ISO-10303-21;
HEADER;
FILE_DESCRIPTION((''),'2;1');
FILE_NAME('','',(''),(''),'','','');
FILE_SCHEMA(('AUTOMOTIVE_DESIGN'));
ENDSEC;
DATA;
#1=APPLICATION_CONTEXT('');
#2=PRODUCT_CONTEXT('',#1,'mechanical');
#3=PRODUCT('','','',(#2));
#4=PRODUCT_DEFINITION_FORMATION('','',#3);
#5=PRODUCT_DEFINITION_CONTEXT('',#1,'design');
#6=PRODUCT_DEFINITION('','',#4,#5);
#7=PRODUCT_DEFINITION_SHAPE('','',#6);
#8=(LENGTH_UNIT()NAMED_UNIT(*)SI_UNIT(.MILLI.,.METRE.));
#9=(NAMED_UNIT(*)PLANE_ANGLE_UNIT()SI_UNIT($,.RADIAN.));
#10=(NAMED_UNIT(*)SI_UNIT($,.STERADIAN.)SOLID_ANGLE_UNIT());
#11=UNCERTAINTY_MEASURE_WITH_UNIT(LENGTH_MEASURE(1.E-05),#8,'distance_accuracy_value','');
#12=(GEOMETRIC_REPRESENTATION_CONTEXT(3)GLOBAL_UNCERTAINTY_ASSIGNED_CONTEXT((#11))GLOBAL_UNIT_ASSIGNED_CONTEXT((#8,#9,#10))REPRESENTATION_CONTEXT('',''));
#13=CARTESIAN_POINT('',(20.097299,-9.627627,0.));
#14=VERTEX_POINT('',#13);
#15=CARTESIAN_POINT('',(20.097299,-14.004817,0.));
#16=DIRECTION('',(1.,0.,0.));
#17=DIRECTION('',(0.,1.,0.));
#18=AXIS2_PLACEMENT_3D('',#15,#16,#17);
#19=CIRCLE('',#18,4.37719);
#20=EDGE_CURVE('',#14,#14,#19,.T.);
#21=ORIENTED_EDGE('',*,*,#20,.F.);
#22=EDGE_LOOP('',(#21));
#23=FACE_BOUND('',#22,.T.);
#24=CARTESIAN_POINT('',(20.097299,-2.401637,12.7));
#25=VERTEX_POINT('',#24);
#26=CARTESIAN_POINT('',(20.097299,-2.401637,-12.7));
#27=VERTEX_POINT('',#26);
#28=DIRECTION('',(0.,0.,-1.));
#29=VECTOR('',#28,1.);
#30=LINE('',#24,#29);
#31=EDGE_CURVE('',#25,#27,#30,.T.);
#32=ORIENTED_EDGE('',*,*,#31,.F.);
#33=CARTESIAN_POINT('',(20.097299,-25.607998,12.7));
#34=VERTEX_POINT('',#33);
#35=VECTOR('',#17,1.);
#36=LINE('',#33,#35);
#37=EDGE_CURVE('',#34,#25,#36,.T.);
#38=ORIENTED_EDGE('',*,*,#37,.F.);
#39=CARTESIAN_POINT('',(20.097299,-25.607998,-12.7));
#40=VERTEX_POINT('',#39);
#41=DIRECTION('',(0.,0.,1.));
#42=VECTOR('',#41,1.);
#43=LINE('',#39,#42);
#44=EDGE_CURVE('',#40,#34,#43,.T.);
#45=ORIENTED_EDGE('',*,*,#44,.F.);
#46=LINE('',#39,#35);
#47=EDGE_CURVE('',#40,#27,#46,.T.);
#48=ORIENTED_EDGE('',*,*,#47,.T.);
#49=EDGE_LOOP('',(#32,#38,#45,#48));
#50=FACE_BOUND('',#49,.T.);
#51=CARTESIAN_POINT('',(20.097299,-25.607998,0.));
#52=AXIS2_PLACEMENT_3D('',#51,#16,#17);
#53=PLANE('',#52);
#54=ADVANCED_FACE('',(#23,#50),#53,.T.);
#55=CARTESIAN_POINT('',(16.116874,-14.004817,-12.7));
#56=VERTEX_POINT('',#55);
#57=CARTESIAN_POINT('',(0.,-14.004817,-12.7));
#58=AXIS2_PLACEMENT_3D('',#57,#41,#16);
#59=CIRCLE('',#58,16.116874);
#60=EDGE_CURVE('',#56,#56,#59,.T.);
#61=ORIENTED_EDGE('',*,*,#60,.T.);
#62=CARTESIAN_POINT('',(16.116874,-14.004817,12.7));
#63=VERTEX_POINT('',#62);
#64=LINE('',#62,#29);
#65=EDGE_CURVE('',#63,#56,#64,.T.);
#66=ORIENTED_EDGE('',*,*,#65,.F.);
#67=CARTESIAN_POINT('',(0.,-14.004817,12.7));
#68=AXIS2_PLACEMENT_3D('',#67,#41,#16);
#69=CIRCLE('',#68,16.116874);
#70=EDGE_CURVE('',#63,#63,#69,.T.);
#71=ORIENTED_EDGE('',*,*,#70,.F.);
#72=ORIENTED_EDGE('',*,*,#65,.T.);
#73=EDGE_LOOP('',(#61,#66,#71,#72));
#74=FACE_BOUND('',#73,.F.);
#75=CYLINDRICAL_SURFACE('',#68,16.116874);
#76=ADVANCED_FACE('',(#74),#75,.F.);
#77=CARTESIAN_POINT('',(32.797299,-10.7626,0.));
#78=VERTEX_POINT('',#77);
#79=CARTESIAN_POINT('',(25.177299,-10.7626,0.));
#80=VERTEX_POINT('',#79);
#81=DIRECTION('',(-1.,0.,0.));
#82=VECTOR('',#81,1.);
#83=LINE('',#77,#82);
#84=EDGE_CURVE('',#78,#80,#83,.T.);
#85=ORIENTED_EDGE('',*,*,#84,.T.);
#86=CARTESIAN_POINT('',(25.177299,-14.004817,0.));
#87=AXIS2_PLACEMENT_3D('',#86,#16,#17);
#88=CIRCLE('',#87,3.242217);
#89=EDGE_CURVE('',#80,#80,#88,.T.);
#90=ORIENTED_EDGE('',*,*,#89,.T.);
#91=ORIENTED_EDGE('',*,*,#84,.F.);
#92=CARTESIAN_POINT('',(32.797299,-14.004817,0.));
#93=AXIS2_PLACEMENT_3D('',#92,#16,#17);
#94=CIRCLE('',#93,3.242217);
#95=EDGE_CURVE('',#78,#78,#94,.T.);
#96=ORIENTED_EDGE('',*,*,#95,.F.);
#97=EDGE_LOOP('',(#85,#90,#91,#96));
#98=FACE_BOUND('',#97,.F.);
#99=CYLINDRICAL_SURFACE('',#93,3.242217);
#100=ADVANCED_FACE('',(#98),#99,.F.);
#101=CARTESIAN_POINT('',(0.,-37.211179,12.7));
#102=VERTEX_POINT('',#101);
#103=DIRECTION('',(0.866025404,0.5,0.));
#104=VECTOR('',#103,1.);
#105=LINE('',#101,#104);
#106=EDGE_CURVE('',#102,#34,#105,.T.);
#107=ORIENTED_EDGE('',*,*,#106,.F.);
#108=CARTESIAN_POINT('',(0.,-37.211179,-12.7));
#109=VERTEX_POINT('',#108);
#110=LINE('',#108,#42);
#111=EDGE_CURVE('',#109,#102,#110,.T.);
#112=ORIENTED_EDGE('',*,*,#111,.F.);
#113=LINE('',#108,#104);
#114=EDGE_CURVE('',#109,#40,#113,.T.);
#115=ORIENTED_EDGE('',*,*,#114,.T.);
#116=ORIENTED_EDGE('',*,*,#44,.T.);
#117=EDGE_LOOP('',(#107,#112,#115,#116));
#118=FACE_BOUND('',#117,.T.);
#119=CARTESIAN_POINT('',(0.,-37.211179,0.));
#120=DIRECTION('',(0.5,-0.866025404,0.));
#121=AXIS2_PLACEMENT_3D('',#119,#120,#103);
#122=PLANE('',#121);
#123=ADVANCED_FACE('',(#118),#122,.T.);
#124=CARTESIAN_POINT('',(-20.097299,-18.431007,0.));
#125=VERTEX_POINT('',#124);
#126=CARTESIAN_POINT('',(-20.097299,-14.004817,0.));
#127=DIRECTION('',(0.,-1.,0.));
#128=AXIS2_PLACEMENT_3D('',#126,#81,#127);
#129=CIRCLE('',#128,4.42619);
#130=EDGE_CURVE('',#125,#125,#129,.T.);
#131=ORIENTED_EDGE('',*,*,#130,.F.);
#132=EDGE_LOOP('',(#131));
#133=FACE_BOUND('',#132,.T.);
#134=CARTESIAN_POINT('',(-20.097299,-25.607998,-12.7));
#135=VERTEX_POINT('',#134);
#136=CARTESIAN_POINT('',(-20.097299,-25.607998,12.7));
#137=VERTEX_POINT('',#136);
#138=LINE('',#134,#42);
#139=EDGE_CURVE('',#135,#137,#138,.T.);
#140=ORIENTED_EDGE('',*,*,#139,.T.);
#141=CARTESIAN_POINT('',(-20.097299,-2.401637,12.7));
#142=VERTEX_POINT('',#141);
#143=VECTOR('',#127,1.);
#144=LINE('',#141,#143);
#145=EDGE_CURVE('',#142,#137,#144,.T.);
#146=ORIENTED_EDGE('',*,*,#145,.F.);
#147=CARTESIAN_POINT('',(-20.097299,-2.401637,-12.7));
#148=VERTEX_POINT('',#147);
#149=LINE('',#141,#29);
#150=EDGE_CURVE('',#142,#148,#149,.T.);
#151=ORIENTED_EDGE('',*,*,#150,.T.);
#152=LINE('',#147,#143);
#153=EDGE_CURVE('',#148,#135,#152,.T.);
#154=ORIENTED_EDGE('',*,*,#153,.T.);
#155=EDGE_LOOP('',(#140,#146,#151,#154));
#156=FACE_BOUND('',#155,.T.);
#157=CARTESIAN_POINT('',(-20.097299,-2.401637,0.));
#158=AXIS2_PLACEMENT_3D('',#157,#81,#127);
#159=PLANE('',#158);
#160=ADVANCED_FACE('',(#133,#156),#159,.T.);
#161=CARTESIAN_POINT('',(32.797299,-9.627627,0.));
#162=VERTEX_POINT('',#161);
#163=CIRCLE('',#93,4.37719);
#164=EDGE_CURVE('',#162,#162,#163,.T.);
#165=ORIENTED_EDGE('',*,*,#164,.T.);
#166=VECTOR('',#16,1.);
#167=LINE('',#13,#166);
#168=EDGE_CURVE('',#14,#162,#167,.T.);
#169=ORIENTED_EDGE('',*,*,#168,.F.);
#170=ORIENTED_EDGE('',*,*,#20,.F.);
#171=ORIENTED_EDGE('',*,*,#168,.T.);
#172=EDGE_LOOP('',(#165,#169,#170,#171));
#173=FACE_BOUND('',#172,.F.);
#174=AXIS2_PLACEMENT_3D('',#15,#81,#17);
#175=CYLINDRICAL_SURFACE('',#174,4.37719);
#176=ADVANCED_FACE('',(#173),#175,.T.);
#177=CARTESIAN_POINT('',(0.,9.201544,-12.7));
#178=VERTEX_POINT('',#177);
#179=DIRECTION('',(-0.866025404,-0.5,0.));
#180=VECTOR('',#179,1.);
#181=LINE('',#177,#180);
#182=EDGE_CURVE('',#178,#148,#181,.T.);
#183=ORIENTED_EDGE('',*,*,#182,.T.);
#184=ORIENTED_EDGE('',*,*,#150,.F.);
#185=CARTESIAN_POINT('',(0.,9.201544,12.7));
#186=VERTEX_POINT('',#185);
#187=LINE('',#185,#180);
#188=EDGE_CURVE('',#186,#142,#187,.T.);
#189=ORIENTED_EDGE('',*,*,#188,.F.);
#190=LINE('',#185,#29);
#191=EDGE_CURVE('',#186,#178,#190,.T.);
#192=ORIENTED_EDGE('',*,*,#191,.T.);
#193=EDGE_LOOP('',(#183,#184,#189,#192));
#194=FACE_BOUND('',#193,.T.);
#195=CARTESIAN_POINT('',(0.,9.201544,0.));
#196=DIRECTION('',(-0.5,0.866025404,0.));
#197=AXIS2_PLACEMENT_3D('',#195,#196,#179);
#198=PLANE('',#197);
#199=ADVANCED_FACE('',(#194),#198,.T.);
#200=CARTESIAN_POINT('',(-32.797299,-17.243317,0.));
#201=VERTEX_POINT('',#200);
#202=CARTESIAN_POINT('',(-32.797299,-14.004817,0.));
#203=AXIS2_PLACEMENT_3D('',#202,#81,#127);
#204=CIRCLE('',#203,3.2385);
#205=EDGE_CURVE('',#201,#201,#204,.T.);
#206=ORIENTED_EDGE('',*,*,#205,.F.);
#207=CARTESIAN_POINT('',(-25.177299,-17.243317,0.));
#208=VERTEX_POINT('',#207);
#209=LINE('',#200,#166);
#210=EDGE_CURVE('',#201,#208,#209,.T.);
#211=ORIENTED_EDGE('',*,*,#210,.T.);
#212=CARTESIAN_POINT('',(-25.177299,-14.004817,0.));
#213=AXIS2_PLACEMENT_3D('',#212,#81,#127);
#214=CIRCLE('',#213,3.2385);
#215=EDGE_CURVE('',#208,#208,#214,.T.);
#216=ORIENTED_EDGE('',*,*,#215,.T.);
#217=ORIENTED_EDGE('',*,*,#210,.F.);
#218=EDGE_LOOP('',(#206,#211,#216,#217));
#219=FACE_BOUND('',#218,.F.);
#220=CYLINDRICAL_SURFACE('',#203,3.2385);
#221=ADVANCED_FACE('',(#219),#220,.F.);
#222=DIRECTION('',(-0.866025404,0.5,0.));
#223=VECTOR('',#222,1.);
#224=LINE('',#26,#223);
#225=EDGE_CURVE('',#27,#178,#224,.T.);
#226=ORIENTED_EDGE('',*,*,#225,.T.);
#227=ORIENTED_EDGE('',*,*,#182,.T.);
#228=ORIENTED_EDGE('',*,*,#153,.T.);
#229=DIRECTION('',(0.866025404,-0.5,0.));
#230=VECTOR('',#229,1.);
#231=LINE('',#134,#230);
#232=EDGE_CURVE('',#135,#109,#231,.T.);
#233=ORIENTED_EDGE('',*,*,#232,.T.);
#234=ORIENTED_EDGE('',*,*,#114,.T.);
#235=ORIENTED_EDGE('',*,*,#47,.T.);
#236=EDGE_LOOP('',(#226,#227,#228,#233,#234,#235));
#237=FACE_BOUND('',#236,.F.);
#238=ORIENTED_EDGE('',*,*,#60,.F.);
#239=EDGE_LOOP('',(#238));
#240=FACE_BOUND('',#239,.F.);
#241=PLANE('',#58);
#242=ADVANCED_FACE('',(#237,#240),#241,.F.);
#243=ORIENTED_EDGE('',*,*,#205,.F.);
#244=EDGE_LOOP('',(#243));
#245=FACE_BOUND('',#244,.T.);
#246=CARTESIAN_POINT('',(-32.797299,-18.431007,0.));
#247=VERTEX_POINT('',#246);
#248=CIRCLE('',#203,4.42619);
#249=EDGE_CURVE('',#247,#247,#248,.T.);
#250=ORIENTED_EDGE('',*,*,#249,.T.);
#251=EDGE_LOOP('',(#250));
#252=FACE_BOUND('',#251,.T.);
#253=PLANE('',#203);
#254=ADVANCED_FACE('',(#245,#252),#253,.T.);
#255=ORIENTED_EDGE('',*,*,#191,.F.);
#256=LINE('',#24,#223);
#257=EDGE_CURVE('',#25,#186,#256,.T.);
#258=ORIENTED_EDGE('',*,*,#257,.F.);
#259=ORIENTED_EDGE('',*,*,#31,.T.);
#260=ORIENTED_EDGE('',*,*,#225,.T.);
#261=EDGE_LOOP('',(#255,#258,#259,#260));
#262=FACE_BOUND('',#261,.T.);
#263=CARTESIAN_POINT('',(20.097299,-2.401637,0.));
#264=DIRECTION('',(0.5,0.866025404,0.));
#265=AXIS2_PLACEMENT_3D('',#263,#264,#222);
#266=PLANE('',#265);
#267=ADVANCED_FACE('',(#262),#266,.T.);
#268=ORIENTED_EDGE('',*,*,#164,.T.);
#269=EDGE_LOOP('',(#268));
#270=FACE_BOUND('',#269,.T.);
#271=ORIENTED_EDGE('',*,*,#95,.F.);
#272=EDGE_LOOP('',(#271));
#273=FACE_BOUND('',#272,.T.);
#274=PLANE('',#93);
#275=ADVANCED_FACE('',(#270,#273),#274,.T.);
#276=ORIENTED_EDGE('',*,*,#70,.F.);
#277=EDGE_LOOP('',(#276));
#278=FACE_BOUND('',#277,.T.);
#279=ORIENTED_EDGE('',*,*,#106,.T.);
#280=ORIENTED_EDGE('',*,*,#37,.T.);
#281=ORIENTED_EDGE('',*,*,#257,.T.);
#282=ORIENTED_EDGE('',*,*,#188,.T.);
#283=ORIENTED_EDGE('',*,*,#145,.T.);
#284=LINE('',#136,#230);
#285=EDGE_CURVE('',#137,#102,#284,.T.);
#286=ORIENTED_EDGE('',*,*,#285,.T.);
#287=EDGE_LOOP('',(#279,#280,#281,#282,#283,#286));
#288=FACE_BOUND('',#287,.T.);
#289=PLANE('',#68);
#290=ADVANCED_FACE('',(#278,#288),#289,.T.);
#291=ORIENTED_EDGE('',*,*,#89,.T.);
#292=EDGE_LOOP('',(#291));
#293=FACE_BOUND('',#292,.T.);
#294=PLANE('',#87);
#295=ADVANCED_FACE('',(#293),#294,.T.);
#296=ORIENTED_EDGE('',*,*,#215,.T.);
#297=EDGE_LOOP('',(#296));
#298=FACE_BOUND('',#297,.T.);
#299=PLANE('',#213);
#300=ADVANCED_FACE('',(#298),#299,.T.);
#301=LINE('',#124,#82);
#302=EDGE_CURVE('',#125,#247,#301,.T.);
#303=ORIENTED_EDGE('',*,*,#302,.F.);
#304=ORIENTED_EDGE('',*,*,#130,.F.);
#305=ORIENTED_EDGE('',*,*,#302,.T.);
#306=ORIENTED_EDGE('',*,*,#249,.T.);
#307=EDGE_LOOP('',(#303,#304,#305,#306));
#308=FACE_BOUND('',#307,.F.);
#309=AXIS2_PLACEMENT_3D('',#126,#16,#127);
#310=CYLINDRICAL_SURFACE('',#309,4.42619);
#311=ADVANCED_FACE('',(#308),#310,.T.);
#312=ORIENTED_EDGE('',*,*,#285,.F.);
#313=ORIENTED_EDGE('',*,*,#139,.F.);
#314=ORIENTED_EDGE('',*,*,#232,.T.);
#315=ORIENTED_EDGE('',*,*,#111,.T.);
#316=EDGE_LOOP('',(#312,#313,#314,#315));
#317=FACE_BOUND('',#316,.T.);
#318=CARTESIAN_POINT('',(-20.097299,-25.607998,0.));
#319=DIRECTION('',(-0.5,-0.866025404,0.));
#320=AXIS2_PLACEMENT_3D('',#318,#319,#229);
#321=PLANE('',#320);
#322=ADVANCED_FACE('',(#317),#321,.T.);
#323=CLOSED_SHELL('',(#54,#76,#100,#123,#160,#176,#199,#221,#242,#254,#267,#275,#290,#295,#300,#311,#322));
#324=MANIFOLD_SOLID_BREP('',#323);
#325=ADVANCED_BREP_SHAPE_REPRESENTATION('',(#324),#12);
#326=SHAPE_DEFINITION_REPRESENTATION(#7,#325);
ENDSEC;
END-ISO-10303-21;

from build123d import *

# Parameters (mm, degrees)
F1_DEPTH  = 12.7
F2_R      = 16.11687381
F3_DEPTH  = 25.4
F4_R      = 4.4261898193
F5_DEPTH  = 12.7
F6_R      = 4.3771900823
F7_DEPTH  = 12.7
F8_R      = 3.2385
F9_DEPTH  = 7.62
F10_R     = 3.2422174322
F11_DEPTH = 7.62


with BuildPart() as f1:
    # F0 (on Top) → F1 (new body, symmetric)
    with BuildSketch(Plane.XY):
        Polygon((-20.0972985476, -2.401636506), (-20.0972985476, -25.6079979589), (0, -37.2111786854), (20.0972985476, -25.6079979589), (20.0972985476, -2.401636506), (0, 9.2015442204), align=None)
    extrude(amount=F1_DEPTH, both=True)

    # F2 (on face) → F3 (cut)
    with BuildSketch(Plane.XY.offset(12.7)):
        with Locations((0, -14.0048172325)):
            Circle(F2_R)
    extrude(amount=-F3_DEPTH, mode=Mode.SUBTRACT)

    # F4 (on face) → F5 (join)
    with BuildSketch(Plane(origin=(-20.0972985476, 0, 0), x_dir=(0, -1, 0), z_dir=(-1, 0, 0))):
        with Locations((14.0048172325, 0)):
            Circle(F4_R)
    extrude(amount=F5_DEPTH)

    # F6 (on face) → F7 (join)
    with BuildSketch(Plane.YZ.offset(20.0972985476)):
        with Locations((-14.0048172325, 0)):
            Circle(F6_R)
    extrude(amount=F7_DEPTH)

    # F8 (on face) → F9 (cut)
    with BuildSketch(Plane(origin=(-32.7972985476, 0, 0), x_dir=(0, -1, 0), z_dir=(-1, 0, 0))):
        with Locations((14.0048172325, 0)):
            Circle(F8_R)
    extrude(amount=-F9_DEPTH, mode=Mode.SUBTRACT)

    # F10 (on face) → F11 (cut)
    with BuildSketch(Plane.YZ.offset(32.7972985476)):
        with Locations((-14.0048172325, 0)):
            Circle(F10_R)
    extrude(amount=-F11_DEPTH, mode=Mode.SUBTRACT)


solid = f1.part
